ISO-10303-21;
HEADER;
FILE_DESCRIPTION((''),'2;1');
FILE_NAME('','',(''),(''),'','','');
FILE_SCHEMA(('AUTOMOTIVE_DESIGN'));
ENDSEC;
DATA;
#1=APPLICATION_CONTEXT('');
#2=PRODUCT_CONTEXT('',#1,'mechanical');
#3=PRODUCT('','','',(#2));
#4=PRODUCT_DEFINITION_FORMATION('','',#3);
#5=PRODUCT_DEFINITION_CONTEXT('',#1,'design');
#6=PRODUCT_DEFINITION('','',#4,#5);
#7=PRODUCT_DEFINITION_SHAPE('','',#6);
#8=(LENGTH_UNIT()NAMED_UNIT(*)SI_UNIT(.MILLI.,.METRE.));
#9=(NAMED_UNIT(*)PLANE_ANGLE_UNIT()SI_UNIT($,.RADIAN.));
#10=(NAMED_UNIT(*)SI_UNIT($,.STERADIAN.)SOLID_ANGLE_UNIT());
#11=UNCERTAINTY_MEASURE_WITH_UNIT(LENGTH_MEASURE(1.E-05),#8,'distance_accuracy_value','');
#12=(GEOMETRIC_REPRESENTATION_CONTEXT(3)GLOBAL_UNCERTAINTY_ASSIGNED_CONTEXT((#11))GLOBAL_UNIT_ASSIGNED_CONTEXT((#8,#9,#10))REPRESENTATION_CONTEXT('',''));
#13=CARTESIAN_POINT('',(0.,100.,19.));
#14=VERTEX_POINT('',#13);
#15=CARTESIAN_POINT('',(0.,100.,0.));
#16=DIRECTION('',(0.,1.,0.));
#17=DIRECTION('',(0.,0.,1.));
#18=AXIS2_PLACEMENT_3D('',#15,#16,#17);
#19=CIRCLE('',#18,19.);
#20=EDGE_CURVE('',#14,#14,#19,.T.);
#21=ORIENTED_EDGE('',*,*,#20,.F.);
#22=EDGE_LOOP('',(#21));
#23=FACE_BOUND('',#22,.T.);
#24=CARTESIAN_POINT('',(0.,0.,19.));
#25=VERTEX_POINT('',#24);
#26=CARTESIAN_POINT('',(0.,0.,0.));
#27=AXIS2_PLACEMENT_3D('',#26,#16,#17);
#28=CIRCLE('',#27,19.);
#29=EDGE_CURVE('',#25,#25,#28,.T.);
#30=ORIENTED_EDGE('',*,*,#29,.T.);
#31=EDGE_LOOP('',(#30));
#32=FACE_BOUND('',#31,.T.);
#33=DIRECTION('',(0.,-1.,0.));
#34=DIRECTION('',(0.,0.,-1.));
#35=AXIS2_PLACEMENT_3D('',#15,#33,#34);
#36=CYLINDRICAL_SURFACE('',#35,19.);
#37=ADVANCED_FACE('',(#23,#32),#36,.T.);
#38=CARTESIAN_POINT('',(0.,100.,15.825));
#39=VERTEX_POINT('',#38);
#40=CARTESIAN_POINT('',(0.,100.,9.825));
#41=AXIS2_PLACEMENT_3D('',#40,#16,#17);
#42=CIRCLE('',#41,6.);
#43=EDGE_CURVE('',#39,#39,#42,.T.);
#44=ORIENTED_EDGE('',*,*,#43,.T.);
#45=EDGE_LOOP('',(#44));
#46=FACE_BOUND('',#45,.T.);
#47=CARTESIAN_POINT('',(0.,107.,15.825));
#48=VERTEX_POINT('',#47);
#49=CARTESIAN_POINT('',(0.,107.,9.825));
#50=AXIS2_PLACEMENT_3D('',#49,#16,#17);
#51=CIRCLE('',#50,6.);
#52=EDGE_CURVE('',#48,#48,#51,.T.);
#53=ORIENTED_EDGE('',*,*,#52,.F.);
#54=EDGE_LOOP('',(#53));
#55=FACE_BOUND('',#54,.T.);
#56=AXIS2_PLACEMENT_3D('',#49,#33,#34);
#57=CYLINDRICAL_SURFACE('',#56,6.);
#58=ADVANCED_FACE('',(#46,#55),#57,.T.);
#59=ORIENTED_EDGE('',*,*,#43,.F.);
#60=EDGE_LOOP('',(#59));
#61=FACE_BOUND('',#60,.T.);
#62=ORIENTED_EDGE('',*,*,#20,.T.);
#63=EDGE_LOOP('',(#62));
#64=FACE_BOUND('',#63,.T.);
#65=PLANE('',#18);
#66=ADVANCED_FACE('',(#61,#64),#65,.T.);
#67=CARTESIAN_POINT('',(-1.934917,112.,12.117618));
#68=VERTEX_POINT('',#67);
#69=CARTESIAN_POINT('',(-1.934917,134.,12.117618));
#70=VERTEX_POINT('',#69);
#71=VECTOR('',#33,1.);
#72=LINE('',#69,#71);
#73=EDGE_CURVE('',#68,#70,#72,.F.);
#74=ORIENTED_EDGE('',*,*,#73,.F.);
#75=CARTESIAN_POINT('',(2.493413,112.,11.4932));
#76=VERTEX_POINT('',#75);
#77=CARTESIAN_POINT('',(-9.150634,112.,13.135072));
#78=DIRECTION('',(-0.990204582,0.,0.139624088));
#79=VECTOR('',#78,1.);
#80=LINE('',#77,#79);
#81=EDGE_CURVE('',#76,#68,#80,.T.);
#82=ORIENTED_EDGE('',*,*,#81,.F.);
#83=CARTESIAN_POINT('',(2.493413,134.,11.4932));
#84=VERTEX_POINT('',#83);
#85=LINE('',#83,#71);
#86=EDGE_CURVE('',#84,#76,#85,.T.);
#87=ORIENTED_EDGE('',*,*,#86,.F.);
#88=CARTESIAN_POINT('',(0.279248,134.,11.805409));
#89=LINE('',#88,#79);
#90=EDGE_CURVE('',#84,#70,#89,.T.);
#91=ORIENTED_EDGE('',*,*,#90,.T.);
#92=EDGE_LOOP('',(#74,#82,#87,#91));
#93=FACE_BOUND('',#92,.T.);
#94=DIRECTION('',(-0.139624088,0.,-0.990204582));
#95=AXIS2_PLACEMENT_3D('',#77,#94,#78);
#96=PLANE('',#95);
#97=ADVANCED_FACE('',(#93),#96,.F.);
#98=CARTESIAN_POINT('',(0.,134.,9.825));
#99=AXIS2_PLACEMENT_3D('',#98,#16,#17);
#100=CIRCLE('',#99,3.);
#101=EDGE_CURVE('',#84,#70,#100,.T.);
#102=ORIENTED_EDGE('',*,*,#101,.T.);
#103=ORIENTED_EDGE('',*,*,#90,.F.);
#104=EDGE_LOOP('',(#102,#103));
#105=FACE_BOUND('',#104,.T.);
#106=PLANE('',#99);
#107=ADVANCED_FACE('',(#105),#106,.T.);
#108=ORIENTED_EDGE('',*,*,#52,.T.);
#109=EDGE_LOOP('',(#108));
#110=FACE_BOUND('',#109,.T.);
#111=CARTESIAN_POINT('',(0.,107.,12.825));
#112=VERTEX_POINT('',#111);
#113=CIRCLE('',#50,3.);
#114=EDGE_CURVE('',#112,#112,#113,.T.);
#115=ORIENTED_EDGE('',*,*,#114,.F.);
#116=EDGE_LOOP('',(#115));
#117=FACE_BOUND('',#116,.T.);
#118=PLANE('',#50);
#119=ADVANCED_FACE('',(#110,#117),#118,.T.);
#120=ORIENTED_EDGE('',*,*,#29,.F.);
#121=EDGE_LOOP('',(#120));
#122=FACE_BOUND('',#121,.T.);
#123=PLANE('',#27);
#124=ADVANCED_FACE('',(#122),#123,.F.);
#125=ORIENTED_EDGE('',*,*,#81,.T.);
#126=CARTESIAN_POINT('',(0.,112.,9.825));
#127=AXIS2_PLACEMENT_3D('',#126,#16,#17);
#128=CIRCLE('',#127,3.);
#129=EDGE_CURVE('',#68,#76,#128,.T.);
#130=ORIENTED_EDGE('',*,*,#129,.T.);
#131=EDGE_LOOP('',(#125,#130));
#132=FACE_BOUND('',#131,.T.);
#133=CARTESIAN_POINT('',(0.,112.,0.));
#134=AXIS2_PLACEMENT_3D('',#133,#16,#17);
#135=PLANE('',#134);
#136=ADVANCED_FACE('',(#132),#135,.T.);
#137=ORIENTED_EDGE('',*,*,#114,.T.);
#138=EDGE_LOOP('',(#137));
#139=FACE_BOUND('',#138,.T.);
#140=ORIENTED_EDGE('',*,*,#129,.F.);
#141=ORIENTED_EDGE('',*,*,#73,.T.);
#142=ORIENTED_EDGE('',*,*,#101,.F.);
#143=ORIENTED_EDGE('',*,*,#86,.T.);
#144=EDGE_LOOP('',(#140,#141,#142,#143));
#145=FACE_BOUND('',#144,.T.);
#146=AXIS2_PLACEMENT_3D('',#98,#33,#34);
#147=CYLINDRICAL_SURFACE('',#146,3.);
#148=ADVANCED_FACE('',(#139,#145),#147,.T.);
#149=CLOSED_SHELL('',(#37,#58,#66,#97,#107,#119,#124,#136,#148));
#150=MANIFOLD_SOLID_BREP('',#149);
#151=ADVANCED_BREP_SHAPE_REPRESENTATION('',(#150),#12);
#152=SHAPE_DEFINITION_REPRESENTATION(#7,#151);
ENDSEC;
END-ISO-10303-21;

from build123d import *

# Parameters (mm, degrees)
SKETCH1_R           = 19
BOSS_EXTRUDE1_DEPTH = 100
SKETCH2_R           = 6
BOSS_EXTRUDE2_DEPTH = 7
SKETCH3_R           = 3
BOSS_EXTRUDE3_DEPTH = 27
CUT_EXTRUDE1_DEPTH  = 22


with BuildPart() as part:
    # Sketch1 → Boss-Extrude1 (new body)
    with BuildSketch(Plane(origin=(0, 0, 0), x_dir=(1, 0, 0), z_dir=(0, 1, 0))):
        Circle(SKETCH1_R)
    extrude(amount=BOSS_EXTRUDE1_DEPTH)

    # Sketch2 → Boss-Extrude2 (add)
    with BuildSketch(Plane(origin=(0, 100, 0), x_dir=(1, 0, 0), z_dir=(0, 1, 0))):
        with Locations((0, -9.825)):
            Circle(SKETCH2_R)
    extrude(amount=BOSS_EXTRUDE2_DEPTH)

    # Sketch3 → Boss-Extrude3 (add)
    with BuildSketch(Plane(origin=(0, 107, 0), x_dir=(1, 0, 0), z_dir=(0, 1, 0))):
        with Locations((0, -9.825)):
            Circle(SKETCH3_R)
    extrude(amount=BOSS_EXTRUDE3_DEPTH)

    # Sketch4 → Cut-Extrude1 (cut)
    with BuildSketch(Plane(origin=(0, 134, 0), x_dir=(1, 0, 0), z_dir=(0, 1, 0))):
        Polygon((-9.150633985, -13.135072473), (10.849366015, -10.314966588), (10.988990103, -11.30517117), (-9.011009897, -14.125277054), align=None)
    extrude(amount=-CUT_EXTRUDE1_DEPTH, mode=Mode.SUBTRACT)


solid = part.part
